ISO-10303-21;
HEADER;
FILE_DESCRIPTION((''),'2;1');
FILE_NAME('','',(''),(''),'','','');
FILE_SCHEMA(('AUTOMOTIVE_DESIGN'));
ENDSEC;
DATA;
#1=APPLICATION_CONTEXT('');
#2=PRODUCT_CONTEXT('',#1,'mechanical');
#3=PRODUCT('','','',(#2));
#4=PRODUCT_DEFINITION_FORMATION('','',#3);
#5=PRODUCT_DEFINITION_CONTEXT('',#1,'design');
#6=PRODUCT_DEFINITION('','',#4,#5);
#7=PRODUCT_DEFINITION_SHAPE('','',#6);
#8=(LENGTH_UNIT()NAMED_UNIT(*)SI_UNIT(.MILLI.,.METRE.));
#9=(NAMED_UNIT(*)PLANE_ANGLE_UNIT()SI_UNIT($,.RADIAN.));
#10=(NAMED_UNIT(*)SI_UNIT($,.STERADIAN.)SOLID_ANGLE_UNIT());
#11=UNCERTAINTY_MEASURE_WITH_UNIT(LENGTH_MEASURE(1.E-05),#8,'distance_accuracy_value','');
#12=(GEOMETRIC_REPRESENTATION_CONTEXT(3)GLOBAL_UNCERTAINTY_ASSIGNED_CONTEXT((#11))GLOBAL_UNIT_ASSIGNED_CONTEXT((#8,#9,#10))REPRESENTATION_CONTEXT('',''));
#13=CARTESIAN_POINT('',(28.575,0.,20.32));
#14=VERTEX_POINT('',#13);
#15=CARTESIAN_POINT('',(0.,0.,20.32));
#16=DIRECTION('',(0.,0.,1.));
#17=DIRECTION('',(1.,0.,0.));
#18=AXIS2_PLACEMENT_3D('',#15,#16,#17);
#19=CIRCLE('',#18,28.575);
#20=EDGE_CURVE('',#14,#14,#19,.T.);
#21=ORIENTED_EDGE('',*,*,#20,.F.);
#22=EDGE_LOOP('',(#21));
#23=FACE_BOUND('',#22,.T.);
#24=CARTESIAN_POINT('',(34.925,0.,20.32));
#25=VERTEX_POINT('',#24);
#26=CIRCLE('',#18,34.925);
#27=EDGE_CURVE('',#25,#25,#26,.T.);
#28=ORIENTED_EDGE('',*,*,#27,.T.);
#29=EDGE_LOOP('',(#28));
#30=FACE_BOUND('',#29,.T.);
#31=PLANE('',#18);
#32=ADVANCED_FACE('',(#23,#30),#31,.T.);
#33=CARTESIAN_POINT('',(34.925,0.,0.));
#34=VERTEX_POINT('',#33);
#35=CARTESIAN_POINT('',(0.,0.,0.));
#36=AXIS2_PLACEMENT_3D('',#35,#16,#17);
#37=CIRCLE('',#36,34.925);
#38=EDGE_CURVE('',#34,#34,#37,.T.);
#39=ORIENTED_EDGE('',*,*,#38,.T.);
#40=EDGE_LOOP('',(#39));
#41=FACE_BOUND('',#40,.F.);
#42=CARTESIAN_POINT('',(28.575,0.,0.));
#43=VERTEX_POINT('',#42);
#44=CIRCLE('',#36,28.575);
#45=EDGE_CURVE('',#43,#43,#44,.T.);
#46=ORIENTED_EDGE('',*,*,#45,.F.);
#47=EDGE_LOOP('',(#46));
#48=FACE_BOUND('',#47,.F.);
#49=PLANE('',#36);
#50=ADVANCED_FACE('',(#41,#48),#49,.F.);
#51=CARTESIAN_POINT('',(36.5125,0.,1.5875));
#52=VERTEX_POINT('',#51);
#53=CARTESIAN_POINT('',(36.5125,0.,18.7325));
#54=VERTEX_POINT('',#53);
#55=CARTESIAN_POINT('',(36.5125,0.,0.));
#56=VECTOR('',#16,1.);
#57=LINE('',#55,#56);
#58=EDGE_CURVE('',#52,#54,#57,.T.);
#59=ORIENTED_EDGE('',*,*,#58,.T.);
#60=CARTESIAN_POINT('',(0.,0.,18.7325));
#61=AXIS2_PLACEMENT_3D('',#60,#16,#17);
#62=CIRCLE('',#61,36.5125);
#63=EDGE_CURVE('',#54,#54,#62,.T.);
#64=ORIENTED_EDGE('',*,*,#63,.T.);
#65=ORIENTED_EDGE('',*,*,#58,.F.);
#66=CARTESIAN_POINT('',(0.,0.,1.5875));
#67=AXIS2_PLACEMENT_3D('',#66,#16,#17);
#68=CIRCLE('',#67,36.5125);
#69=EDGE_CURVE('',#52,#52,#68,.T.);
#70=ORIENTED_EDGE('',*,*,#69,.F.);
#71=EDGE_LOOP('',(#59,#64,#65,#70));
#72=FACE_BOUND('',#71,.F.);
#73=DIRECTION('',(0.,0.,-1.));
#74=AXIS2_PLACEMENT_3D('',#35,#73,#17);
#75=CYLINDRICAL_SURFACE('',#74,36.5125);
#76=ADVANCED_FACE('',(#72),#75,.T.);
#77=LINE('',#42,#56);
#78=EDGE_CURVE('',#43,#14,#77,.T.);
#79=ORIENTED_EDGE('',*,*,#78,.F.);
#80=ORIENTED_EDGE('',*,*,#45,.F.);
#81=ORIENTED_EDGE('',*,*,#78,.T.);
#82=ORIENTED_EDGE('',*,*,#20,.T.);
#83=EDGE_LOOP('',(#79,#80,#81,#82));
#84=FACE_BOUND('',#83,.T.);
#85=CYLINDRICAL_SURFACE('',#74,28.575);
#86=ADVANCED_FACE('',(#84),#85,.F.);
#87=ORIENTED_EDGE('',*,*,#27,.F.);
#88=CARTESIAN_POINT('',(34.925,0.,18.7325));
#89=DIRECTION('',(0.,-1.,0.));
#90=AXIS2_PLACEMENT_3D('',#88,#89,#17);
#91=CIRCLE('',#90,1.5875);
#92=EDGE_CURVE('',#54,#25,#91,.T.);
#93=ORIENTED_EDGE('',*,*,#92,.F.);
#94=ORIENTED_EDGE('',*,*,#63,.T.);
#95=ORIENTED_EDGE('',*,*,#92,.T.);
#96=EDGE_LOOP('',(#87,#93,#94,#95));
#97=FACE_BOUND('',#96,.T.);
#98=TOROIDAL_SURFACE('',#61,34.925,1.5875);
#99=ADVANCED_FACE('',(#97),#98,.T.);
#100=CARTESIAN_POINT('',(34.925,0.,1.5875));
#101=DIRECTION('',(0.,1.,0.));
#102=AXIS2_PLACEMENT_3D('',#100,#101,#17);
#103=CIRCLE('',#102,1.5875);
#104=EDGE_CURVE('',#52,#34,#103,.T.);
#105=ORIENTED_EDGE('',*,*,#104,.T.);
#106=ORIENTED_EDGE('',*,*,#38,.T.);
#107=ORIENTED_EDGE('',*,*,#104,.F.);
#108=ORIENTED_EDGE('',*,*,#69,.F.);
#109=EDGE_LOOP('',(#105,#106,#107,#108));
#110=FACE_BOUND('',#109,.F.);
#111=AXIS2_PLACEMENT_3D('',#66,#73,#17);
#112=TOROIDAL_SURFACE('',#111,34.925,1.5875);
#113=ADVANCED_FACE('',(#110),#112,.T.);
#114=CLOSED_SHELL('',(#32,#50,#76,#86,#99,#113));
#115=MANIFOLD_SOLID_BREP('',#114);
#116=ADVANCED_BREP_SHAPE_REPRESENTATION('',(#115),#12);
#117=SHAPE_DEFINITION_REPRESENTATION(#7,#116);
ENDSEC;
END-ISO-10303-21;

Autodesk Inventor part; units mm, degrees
ref_plane "YZ Plane" through (0, 0, 0) normal (1, 0, 0) x (0, 1, 0)
ref_plane "XZ Plane" through (0, 0, 0) normal (0, 1, 0) x (-1, 0, 0)
ref_plane "XY Plane" through (0, 0, 0) normal (0, 0, 1) x (1, 0, 0)
sketch "Sketch1" plane through (0, 0, 0) normal (0, 0, 1) x (1, 0, 0)
  circle A0 centre (0, 0) radius 28.575
  circle A1 centre (0, 0) radius 36.5125
  dimension "d0" = 57.15
  dimension "d1" = 73.025
extrude "Extrusion1" add sketch "Sketch1" along normal blind 20.32
fillet "Fillet1" radius 1.5875 2 edges at (-36.5125, 0, 20.32) (-36.5125, 0, 0)
properties part number "bane bots wheel tread 3in"
